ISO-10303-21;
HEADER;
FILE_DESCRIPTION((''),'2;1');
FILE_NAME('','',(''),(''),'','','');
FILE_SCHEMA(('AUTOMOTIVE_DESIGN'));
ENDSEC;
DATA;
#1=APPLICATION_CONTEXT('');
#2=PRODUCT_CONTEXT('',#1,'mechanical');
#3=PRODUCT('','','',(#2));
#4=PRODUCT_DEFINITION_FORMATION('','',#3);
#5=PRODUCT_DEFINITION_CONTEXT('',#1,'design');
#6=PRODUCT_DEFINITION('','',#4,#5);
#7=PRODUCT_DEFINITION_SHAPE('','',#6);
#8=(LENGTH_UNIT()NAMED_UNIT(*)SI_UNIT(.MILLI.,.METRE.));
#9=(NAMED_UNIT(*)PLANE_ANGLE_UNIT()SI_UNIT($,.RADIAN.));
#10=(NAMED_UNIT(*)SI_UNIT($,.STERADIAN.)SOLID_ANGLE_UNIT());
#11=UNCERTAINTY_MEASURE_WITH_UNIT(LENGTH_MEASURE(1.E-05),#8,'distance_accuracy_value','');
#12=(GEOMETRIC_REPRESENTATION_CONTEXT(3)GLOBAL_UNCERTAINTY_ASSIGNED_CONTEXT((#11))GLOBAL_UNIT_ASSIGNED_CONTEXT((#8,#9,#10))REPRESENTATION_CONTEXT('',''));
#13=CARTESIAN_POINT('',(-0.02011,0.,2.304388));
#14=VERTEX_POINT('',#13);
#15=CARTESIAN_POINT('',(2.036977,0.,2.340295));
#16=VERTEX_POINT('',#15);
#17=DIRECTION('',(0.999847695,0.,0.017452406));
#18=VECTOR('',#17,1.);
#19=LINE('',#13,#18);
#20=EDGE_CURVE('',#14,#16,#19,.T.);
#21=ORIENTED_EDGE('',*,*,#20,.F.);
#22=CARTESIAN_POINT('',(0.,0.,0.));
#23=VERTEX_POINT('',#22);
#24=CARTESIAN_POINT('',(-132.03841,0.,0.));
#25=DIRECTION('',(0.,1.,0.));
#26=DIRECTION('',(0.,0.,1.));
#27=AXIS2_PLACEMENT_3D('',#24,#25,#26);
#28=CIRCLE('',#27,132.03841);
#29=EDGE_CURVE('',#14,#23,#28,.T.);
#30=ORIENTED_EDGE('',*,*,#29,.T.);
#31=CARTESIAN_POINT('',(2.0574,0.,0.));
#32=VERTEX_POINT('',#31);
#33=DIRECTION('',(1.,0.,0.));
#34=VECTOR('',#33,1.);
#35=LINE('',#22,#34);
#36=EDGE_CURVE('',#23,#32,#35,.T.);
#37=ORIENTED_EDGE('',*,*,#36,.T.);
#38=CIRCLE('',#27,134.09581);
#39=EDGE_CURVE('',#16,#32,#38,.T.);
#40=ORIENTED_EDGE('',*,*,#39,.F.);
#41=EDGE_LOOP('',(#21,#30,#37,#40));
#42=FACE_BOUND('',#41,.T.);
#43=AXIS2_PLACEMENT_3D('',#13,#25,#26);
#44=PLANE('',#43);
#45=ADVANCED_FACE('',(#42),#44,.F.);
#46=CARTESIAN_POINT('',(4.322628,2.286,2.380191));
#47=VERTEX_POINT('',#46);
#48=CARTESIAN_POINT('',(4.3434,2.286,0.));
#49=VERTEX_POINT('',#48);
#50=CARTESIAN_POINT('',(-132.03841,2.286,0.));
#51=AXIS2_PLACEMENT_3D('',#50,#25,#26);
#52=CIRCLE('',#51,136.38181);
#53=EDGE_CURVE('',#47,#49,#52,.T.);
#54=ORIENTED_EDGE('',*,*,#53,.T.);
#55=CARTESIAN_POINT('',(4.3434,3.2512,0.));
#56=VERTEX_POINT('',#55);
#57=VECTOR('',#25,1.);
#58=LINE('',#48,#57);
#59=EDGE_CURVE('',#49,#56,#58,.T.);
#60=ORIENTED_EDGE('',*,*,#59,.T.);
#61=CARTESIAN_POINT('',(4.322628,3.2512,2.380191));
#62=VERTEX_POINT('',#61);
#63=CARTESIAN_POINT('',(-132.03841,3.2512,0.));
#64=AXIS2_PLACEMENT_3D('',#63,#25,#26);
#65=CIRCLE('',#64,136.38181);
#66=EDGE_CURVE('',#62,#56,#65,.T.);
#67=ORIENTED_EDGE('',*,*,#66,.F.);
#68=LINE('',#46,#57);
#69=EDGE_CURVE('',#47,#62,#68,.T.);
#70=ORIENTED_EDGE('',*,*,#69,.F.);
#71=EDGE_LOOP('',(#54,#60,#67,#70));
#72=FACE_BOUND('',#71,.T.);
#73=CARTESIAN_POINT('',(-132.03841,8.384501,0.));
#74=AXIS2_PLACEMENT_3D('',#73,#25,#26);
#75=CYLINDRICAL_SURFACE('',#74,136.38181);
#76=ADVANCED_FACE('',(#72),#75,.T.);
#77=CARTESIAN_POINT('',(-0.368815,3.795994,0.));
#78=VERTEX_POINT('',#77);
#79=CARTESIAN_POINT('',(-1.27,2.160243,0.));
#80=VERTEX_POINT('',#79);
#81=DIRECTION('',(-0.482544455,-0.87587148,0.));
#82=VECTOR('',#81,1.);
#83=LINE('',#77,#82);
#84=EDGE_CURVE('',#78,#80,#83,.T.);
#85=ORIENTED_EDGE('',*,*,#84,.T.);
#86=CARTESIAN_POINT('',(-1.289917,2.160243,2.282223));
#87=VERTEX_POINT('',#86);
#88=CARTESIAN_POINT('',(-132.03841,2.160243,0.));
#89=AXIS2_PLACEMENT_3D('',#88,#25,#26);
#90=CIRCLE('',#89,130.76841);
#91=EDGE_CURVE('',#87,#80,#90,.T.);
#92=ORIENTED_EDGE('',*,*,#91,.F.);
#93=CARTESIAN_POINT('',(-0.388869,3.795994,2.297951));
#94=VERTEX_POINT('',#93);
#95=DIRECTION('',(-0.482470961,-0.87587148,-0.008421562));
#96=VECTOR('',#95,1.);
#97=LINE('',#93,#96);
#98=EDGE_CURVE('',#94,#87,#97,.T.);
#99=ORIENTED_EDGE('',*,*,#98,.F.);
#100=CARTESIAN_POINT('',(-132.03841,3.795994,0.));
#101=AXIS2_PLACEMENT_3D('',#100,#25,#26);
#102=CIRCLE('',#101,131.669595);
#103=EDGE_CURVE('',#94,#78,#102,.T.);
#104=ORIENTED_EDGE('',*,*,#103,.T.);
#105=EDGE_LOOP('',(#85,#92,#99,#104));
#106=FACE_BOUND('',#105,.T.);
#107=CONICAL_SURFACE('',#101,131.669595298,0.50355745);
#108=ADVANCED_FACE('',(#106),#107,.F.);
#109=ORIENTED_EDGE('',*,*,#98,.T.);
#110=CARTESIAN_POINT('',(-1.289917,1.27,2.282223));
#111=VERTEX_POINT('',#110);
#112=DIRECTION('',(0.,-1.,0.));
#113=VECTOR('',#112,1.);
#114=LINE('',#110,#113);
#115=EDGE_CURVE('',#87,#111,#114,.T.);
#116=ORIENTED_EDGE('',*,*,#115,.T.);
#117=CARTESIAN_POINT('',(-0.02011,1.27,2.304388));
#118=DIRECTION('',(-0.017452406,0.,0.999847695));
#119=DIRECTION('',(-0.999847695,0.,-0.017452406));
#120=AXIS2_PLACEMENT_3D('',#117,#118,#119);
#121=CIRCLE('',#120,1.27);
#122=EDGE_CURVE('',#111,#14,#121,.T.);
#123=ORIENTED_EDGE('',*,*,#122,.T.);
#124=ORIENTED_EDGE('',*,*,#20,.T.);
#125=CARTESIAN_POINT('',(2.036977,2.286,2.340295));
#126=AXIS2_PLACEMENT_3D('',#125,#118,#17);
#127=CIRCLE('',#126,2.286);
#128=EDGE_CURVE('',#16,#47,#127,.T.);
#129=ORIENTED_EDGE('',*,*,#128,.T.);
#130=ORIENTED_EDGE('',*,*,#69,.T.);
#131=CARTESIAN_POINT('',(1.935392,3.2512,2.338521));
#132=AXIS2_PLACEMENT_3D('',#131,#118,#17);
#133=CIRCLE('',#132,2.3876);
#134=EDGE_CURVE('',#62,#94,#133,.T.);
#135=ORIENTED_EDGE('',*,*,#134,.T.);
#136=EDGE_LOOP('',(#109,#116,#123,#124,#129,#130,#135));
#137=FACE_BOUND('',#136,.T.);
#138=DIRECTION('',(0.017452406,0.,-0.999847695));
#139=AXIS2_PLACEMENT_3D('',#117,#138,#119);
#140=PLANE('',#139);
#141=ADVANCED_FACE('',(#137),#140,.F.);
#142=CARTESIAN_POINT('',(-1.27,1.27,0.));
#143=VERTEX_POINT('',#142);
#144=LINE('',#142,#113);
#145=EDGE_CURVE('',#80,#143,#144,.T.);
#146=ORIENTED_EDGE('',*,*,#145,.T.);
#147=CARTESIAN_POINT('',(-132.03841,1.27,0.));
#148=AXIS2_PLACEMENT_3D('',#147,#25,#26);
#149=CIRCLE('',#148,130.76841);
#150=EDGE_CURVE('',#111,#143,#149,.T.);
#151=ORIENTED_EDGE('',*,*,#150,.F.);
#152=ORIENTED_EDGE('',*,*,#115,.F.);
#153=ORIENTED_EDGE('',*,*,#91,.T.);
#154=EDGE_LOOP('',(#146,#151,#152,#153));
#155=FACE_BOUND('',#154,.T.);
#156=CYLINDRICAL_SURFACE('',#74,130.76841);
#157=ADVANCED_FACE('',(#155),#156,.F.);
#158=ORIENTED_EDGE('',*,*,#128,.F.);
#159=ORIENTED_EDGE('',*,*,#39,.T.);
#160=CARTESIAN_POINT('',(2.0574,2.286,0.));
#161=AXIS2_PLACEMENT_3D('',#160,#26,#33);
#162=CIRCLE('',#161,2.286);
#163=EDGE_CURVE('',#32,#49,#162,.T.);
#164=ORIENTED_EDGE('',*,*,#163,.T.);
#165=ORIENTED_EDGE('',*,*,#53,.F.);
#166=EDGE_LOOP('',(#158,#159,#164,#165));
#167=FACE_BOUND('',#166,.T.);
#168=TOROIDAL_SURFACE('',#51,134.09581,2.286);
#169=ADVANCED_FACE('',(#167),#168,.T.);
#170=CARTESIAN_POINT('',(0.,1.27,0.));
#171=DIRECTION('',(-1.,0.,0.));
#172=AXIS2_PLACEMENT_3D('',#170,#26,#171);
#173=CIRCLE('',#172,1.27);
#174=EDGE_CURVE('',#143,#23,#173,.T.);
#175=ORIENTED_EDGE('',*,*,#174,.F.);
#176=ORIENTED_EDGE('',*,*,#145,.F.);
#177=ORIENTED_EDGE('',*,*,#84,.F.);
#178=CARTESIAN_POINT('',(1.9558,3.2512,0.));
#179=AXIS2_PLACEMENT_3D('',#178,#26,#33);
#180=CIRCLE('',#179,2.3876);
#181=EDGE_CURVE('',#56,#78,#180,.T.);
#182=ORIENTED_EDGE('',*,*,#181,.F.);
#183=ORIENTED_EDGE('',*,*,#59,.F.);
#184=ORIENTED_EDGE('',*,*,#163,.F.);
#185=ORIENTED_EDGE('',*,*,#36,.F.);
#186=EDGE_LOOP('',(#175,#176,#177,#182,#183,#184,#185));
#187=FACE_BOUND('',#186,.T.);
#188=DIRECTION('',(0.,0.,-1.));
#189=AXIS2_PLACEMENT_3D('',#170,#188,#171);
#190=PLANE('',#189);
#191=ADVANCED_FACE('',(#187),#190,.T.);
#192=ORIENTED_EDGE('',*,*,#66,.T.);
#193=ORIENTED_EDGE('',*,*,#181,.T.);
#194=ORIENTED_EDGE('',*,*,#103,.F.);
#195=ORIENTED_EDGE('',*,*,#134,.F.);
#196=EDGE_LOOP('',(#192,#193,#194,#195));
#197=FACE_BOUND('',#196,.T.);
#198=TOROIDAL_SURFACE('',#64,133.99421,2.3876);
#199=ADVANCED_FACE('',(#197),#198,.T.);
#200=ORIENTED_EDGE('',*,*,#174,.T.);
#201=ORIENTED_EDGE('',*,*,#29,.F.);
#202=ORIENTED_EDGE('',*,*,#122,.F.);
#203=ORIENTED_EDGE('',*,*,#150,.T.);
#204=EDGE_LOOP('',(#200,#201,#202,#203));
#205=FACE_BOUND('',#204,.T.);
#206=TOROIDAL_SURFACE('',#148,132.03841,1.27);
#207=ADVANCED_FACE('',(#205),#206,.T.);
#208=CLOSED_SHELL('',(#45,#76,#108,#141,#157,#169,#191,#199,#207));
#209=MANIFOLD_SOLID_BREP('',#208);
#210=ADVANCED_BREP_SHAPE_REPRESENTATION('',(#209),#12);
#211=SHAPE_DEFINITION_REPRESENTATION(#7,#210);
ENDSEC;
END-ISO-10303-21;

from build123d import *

# Parameters (mm, degrees)
REVOLVE1_ANGLE = 1


with BuildPart() as part:
    # Sketch4 → Revolve1 (revolve)
    with BuildSketch(Plane.XY):
        with BuildLine():
            Line((0, 0), (2.0574, 0))
            ThreePointArc((2.0574, 0), (3.673846102, 0.669553898), (4.3434, 2.286))
            Line((4.3434, 2.286), (4.3434, 3.2512))
            ThreePointArc((4.3434, 3.2512), (2.230011235, 5.623001416), (-0.368814742, 3.795993597))
            Line((-0.368814742, 3.795993597), (-1.27, 2.160242822))
            Line((-1.27, 2.160242822), (-1.27, 1.27))
            ThreePointArc((-1.27, 1.27), (-0.898025612, 0.371974388), (0, 0))
        make_face()
    revolve(axis=Axis((-132.03841004, 8.384500911, 0), (0, -1, 0)), revolution_arc=REVOLVE1_ANGLE)


solid = part.part
